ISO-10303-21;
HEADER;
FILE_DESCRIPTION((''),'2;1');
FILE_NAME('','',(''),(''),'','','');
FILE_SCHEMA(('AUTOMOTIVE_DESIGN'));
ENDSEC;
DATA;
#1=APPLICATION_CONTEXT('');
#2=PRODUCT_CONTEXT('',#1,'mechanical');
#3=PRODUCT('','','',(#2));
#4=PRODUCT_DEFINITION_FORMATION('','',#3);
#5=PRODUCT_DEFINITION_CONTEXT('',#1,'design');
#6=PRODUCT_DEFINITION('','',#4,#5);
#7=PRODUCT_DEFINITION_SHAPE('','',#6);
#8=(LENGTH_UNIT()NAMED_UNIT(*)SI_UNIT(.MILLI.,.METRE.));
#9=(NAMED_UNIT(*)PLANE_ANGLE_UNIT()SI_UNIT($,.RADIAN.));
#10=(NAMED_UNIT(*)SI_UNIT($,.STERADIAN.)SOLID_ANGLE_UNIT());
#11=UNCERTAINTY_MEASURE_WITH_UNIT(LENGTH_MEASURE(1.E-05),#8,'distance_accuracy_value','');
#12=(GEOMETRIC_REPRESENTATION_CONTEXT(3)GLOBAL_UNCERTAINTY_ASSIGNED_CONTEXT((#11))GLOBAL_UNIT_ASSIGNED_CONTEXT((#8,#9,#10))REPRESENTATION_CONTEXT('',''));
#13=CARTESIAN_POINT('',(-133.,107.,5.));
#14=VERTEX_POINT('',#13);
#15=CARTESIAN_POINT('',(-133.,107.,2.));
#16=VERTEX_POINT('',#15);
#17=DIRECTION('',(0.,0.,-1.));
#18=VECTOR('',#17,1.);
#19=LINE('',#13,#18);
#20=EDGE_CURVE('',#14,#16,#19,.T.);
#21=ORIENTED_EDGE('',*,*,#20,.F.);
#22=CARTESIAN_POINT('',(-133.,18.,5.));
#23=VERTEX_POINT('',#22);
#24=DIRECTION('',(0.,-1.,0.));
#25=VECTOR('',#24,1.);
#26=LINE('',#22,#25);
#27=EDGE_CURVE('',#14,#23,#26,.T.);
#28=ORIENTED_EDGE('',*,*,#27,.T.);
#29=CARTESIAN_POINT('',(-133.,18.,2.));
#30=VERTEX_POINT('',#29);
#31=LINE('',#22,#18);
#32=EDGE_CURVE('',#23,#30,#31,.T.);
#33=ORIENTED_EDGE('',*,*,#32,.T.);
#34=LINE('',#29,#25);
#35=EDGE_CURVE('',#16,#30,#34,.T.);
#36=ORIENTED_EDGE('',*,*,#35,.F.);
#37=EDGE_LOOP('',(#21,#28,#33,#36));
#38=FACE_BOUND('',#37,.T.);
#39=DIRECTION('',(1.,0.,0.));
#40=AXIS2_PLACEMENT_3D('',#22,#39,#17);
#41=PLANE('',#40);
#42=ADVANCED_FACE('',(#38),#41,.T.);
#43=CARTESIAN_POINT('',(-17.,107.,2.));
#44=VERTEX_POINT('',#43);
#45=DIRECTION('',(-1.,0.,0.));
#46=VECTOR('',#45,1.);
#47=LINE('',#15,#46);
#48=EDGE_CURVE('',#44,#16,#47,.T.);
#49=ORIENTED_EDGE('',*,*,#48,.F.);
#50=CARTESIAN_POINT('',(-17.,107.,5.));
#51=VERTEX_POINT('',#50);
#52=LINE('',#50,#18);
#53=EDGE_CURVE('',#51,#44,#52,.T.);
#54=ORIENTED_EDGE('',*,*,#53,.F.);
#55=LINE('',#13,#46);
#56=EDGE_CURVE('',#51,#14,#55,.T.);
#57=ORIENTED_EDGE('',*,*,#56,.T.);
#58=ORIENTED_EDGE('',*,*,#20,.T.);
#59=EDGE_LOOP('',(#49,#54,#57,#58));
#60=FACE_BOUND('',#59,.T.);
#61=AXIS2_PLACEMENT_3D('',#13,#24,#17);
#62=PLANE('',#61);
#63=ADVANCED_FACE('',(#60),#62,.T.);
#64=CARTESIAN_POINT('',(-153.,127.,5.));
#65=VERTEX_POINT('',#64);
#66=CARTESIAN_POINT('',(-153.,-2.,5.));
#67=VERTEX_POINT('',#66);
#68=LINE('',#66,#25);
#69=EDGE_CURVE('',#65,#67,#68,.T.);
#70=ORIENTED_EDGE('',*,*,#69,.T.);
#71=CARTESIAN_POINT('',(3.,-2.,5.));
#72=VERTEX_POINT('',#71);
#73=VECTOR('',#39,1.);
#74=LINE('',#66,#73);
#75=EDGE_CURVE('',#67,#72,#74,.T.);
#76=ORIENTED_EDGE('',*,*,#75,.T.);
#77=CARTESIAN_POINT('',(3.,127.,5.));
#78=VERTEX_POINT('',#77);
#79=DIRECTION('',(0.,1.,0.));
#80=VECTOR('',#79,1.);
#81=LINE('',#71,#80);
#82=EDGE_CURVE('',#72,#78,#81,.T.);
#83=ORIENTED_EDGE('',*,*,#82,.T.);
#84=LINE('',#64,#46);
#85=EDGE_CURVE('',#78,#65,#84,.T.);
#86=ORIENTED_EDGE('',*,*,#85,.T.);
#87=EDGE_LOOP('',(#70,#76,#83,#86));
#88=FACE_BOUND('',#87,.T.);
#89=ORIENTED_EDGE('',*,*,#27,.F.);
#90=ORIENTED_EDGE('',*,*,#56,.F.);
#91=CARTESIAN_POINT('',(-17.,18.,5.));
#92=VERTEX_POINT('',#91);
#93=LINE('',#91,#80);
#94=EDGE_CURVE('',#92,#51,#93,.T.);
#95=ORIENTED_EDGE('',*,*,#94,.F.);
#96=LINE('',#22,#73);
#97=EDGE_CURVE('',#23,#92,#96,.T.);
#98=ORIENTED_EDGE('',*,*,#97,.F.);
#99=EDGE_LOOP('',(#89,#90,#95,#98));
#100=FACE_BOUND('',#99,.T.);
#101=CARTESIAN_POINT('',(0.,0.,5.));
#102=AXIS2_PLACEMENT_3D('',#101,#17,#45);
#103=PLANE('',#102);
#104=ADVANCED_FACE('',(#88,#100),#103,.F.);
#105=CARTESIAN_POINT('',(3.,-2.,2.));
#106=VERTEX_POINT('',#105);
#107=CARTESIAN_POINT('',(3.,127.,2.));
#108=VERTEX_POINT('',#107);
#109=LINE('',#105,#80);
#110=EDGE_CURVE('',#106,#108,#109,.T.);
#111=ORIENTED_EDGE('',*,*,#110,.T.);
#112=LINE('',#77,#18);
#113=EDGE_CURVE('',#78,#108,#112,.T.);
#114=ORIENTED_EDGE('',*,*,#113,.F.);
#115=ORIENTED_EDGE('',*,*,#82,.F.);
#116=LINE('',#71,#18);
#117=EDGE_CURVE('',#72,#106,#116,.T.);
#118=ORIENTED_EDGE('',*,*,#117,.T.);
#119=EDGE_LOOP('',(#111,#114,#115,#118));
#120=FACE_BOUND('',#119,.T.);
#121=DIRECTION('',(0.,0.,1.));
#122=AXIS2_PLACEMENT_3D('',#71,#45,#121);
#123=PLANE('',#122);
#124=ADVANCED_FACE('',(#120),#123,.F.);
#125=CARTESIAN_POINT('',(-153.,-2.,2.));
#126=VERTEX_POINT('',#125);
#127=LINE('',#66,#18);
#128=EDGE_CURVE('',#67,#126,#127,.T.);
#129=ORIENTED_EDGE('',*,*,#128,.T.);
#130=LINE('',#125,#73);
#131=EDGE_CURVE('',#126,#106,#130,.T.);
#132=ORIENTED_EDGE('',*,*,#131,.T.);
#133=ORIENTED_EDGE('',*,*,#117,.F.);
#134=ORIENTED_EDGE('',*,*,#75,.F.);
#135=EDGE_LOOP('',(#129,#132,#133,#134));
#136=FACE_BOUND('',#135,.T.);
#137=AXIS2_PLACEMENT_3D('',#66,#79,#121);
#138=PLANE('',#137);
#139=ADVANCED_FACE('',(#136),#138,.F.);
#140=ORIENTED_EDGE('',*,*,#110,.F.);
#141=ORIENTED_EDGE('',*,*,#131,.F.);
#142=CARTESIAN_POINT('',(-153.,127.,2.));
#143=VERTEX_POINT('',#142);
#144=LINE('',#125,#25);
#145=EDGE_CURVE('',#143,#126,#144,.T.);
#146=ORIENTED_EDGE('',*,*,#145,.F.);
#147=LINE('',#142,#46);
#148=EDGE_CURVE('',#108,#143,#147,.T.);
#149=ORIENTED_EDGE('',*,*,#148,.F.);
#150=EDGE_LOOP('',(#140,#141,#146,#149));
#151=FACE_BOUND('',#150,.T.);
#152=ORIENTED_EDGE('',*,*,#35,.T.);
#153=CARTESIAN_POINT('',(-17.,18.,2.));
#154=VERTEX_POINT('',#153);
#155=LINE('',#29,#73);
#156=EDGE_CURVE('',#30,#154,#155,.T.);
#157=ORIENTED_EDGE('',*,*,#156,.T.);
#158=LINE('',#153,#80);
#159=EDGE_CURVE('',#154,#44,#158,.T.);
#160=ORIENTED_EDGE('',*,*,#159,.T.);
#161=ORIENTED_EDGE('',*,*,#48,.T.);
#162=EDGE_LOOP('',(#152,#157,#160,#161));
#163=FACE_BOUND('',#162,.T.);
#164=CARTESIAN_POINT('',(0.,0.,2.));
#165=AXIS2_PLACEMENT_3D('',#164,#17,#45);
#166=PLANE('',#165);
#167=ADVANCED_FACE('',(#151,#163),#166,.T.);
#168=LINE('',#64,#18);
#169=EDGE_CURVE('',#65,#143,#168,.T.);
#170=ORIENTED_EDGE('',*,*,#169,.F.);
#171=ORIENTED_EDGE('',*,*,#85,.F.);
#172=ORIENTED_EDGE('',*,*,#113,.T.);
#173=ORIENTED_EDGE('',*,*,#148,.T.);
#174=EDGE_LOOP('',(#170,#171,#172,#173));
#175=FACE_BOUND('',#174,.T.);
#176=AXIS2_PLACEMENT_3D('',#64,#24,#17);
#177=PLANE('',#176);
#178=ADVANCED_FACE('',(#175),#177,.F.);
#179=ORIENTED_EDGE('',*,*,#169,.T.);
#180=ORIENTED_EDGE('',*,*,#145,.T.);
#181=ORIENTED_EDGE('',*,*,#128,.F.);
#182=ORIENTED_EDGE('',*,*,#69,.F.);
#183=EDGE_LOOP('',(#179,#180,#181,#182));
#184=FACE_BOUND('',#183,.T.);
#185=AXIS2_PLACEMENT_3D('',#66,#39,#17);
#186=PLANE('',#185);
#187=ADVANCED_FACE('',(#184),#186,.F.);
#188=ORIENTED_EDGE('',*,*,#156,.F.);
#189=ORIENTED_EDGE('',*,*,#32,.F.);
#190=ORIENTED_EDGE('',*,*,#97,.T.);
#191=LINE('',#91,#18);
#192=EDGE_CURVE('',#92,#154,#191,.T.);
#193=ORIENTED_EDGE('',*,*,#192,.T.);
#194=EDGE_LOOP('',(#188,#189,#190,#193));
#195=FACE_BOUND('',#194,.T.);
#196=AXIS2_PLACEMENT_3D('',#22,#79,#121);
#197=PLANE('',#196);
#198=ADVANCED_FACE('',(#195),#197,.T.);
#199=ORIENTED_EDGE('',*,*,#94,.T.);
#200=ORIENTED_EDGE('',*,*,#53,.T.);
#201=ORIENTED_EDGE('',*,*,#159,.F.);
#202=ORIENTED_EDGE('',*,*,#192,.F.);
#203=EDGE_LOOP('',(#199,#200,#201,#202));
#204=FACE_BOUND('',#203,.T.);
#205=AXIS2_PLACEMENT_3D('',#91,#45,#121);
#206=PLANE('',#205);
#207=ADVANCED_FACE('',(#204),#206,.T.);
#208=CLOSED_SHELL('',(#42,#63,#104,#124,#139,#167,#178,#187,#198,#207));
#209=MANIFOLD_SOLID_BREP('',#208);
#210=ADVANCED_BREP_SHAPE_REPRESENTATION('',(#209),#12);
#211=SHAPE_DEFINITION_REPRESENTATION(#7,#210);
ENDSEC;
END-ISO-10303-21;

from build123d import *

# Parameters (mm, degrees)
SKETCH2_W           = 156
SKETCH2_H           = 129
SKETCH2_W_2         = 116
SKETCH2_H_2         = 89
BOSS_EXTRUDE1_DEPTH = 3


with BuildPart() as part:
    # Sketch2 → Boss-Extrude1 (new body)
    with BuildSketch(Plane.XY.offset(2)):
        with Locations((-75, 62.5)):
            Rectangle(SKETCH2_W, SKETCH2_H)
        with Locations((-75, 62.5)):
            Rectangle(SKETCH2_W_2, SKETCH2_H_2, mode=Mode.SUBTRACT)
    extrude(amount=BOSS_EXTRUDE1_DEPTH)


solid = part.part
